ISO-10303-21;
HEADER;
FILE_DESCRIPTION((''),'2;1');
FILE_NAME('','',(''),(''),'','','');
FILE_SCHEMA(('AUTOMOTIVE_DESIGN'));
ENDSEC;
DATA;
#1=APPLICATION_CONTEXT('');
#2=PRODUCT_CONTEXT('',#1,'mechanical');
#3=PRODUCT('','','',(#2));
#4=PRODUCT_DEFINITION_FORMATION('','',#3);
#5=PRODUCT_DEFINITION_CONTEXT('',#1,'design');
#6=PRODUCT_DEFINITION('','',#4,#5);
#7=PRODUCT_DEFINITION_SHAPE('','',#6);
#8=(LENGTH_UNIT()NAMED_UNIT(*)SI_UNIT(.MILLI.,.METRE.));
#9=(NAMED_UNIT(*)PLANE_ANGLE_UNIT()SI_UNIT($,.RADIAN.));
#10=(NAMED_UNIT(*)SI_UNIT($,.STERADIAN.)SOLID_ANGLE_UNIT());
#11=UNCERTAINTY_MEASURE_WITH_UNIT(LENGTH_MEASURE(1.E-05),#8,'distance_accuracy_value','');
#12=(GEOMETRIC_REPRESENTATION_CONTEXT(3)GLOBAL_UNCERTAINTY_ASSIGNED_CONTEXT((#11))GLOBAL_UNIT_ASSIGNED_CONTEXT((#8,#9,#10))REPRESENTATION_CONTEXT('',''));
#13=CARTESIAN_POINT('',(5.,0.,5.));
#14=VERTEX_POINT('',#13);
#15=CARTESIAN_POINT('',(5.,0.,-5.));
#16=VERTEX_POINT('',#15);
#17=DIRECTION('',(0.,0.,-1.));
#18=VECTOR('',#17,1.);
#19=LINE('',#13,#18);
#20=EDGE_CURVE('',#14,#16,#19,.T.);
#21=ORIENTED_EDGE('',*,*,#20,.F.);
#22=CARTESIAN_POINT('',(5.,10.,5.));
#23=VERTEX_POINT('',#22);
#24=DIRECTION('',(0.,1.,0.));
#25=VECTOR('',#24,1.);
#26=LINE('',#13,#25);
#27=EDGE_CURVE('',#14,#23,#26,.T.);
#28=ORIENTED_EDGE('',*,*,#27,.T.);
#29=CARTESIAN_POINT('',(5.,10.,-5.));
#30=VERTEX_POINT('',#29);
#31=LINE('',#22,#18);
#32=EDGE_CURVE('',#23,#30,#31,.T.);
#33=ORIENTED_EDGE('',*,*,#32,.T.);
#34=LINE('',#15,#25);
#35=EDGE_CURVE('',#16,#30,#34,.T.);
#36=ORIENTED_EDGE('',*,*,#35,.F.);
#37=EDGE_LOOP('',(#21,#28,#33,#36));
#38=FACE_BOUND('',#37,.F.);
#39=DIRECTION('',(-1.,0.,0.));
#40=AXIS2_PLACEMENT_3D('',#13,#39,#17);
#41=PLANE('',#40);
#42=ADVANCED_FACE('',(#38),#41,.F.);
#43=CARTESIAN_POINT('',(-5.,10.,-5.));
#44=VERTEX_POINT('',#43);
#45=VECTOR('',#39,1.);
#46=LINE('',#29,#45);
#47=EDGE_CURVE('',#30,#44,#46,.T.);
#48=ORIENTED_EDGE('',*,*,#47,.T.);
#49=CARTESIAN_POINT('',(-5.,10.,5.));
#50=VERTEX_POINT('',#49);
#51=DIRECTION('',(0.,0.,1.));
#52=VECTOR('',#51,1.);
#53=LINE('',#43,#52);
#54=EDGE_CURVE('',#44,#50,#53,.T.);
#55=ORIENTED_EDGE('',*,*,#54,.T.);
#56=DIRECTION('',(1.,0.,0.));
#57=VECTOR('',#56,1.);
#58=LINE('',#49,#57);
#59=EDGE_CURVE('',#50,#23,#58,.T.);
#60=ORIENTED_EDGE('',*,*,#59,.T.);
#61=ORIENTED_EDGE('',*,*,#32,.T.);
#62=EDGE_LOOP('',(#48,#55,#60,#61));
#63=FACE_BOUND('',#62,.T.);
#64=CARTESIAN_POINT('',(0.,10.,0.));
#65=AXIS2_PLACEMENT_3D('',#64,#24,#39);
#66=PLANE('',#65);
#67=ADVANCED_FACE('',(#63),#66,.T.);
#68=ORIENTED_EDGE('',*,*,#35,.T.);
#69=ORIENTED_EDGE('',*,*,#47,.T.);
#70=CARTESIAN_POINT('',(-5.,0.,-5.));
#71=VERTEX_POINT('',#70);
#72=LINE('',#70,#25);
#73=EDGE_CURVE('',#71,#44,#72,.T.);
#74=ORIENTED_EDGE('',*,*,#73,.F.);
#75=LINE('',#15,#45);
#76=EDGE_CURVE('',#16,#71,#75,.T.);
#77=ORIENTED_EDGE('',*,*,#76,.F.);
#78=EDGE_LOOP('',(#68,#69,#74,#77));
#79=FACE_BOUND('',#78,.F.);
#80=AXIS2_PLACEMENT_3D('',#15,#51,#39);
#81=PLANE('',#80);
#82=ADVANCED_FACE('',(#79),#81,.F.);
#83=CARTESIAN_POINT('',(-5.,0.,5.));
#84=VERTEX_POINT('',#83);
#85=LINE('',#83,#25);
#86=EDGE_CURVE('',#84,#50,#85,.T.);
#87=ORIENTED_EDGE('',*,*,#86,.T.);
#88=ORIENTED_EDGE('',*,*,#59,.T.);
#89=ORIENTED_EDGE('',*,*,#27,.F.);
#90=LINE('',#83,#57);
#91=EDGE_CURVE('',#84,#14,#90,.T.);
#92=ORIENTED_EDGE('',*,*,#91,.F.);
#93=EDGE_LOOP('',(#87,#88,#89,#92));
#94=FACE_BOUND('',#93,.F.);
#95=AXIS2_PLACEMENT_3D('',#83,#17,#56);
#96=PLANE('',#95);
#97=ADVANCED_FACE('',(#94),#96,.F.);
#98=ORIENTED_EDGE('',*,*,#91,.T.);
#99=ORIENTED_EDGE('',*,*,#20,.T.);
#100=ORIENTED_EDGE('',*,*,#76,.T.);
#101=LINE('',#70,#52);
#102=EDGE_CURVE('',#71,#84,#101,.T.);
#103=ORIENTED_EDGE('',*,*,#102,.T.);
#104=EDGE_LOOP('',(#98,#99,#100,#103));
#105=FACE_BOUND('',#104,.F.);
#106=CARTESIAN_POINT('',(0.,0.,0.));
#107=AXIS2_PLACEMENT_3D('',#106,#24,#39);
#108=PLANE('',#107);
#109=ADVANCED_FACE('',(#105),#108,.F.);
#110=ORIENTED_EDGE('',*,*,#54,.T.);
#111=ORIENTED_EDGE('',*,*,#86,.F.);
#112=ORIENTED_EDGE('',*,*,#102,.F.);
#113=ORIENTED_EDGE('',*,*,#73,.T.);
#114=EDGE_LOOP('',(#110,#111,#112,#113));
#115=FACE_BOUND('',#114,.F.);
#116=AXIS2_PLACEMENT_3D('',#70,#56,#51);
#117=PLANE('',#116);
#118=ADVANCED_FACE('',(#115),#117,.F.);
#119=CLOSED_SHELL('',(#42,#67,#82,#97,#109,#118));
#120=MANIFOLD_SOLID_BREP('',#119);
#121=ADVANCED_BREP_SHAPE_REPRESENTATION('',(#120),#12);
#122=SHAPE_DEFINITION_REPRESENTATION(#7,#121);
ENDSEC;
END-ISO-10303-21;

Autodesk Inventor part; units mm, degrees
ref_plane "YZ Plane" through (0, 0, 0) normal (1, 0, 0) x (0, 1, 0)
ref_plane "XZ Plane" through (0, 0, 0) normal (0, 1, 0) x (-1, 0, 0)
ref_plane "XY Plane" through (0, 0, 0) normal (0, 0, 1) x (1, 0, 0)
sketch "Skizze1" plane through (0, 0, 0) normal (0, 1, 0) x (-1, 0, 0)
  line L0 (-5, -5) -> (5, -5)
  line L1 (5, -5) -> (5, 5)
  line L2 (5, 5) -> (-5, 5)
  line L3 (-5, 5) -> (-5, -5)
  line L4 (-5, -5) -> (5, 5) construction
  line L5 (5, -5) -> (-5, 5) construction
  point P0 (0, 0)
  dimension "d0" = 10
  dimension "d1" = 10
extrude "Extrusion1" add sketch "Skizze1" along normal blind 10
properties part number "SimpleCube1"
